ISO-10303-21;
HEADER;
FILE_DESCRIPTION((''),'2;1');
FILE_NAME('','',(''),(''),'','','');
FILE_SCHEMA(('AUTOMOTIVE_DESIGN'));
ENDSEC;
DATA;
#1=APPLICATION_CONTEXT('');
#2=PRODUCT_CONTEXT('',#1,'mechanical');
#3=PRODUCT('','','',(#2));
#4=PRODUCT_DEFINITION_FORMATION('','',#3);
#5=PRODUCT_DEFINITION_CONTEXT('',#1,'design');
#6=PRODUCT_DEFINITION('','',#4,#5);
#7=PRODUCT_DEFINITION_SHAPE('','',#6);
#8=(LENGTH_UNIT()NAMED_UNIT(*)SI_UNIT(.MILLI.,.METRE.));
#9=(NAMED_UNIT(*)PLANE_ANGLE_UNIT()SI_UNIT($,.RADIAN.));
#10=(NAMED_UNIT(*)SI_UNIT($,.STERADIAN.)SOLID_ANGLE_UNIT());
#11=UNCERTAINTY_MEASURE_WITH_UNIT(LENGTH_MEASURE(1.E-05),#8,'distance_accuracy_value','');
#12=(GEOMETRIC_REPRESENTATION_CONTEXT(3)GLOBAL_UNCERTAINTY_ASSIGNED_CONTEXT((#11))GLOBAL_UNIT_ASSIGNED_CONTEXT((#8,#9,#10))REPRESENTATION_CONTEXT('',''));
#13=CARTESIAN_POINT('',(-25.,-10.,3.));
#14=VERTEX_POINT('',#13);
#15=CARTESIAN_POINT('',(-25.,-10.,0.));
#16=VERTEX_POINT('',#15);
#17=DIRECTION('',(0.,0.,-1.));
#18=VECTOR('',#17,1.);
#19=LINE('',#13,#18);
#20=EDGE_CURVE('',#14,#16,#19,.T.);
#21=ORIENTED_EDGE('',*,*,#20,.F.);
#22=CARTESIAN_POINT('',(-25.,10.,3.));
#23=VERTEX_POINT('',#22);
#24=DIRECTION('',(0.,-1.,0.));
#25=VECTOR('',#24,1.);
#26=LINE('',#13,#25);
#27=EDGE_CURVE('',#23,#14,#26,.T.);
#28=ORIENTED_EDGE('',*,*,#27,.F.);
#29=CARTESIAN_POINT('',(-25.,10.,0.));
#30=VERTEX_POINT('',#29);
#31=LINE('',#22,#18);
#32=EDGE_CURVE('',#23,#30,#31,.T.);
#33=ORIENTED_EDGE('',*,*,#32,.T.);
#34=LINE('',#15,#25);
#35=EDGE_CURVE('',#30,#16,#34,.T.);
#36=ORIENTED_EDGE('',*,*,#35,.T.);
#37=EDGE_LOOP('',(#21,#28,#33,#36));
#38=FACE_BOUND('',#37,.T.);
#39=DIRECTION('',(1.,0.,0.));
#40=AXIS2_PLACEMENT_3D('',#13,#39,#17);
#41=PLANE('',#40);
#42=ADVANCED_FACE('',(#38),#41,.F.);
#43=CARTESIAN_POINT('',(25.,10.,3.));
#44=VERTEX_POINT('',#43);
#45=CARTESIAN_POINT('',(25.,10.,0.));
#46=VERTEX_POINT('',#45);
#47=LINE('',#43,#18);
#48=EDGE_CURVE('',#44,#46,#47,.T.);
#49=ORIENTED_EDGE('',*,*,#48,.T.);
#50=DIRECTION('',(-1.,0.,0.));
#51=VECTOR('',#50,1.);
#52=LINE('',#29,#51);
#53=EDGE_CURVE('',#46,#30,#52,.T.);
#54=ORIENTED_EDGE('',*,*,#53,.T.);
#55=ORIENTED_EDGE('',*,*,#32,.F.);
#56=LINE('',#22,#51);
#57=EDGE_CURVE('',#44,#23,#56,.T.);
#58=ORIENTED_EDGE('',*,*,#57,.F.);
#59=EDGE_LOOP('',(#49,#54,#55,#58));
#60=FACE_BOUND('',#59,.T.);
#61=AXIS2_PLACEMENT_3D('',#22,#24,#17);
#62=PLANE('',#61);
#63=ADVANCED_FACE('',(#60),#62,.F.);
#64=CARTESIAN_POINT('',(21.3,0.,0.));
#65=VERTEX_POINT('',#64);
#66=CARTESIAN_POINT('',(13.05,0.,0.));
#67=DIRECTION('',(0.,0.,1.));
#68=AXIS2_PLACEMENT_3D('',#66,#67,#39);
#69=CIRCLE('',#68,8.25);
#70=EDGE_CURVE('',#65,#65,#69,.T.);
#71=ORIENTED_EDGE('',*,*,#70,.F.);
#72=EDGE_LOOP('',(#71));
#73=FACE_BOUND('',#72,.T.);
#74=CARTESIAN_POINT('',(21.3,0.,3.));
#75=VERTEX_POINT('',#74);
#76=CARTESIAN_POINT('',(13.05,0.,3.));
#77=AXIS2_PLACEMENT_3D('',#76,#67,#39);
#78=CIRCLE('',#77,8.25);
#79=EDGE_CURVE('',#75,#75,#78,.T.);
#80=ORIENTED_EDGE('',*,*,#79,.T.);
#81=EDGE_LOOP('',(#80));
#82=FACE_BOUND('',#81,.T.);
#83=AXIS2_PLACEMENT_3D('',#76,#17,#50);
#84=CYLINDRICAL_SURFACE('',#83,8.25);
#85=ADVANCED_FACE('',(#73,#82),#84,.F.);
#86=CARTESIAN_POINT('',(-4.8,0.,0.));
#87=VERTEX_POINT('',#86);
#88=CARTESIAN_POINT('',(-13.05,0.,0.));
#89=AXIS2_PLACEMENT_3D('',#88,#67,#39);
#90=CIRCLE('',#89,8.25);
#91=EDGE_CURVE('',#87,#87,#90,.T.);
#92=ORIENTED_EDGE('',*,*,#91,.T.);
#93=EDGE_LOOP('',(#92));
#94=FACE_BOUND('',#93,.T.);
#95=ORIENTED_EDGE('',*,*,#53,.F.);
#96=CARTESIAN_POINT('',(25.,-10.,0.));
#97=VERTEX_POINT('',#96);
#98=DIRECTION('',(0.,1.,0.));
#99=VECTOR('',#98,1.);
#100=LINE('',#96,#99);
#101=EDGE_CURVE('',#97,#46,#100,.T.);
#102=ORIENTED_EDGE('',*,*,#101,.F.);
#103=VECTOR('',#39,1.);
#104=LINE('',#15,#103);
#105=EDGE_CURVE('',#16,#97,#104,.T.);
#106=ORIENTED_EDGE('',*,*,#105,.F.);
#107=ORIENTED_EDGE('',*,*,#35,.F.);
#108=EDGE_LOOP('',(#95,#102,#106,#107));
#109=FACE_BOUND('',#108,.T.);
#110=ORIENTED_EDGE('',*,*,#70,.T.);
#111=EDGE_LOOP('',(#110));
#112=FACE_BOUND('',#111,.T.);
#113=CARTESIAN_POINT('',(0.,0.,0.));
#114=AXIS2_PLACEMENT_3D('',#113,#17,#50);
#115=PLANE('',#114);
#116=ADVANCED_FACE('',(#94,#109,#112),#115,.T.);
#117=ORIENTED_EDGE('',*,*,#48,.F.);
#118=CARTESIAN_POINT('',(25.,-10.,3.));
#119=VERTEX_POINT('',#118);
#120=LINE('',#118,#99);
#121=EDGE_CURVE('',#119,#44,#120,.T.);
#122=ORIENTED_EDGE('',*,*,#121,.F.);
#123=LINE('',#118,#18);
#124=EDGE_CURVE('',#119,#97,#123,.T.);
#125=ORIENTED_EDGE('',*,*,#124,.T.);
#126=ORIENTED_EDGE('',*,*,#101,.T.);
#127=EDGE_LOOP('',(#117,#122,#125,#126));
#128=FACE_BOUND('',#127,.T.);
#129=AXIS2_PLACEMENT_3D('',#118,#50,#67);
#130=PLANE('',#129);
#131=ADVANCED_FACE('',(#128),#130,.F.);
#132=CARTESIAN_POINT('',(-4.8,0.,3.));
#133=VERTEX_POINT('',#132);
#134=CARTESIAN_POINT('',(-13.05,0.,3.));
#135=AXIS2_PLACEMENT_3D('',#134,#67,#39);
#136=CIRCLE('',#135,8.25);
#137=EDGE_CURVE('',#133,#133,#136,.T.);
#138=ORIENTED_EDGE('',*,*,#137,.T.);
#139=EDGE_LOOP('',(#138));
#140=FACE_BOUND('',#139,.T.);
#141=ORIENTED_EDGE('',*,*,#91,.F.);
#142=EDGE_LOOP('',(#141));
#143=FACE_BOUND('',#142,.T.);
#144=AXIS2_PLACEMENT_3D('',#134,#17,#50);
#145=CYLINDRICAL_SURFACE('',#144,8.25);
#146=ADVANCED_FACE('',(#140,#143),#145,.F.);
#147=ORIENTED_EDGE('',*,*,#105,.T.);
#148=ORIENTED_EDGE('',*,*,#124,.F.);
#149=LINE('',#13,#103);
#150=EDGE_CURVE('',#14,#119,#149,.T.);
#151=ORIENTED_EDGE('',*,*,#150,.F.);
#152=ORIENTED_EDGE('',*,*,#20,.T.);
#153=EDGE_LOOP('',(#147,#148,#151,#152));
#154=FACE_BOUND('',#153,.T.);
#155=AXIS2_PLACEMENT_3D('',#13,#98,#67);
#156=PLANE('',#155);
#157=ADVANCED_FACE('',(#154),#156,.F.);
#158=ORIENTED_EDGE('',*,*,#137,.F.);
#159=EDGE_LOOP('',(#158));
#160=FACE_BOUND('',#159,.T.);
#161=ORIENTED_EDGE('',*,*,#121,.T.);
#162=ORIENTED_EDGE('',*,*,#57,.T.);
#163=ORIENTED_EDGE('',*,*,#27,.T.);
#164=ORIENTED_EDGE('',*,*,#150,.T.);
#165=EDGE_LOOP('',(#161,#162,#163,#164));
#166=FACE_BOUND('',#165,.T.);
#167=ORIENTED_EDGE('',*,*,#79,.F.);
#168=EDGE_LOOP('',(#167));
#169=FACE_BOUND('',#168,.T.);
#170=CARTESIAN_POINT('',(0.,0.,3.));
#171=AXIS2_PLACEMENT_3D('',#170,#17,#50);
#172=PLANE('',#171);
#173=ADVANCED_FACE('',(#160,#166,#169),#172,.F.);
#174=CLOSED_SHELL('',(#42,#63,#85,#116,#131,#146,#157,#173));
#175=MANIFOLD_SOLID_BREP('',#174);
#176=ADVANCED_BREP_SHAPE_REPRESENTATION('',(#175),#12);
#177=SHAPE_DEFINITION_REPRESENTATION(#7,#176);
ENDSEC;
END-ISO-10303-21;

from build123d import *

# Parameters (mm, degrees)
SKETCH_1_W      = 50
SKETCH_1_H      = 20
SKETCH_1_R      = 8.25
EXTRUDE_1_DEPTH = 3


with BuildPart() as part:
    # 草图1 → 凸台-拉伸1 (new body)
    with BuildSketch(Plane.XY):
        Rectangle(SKETCH_1_W, SKETCH_1_H)
        with Locations((-13.05, 0)):
            Circle(SKETCH_1_R, mode=Mode.SUBTRACT)
        with Locations((13.05, 0)):
            Circle(SKETCH_1_R, mode=Mode.SUBTRACT)
    extrude(amount=EXTRUDE_1_DEPTH)


solid = part.part
